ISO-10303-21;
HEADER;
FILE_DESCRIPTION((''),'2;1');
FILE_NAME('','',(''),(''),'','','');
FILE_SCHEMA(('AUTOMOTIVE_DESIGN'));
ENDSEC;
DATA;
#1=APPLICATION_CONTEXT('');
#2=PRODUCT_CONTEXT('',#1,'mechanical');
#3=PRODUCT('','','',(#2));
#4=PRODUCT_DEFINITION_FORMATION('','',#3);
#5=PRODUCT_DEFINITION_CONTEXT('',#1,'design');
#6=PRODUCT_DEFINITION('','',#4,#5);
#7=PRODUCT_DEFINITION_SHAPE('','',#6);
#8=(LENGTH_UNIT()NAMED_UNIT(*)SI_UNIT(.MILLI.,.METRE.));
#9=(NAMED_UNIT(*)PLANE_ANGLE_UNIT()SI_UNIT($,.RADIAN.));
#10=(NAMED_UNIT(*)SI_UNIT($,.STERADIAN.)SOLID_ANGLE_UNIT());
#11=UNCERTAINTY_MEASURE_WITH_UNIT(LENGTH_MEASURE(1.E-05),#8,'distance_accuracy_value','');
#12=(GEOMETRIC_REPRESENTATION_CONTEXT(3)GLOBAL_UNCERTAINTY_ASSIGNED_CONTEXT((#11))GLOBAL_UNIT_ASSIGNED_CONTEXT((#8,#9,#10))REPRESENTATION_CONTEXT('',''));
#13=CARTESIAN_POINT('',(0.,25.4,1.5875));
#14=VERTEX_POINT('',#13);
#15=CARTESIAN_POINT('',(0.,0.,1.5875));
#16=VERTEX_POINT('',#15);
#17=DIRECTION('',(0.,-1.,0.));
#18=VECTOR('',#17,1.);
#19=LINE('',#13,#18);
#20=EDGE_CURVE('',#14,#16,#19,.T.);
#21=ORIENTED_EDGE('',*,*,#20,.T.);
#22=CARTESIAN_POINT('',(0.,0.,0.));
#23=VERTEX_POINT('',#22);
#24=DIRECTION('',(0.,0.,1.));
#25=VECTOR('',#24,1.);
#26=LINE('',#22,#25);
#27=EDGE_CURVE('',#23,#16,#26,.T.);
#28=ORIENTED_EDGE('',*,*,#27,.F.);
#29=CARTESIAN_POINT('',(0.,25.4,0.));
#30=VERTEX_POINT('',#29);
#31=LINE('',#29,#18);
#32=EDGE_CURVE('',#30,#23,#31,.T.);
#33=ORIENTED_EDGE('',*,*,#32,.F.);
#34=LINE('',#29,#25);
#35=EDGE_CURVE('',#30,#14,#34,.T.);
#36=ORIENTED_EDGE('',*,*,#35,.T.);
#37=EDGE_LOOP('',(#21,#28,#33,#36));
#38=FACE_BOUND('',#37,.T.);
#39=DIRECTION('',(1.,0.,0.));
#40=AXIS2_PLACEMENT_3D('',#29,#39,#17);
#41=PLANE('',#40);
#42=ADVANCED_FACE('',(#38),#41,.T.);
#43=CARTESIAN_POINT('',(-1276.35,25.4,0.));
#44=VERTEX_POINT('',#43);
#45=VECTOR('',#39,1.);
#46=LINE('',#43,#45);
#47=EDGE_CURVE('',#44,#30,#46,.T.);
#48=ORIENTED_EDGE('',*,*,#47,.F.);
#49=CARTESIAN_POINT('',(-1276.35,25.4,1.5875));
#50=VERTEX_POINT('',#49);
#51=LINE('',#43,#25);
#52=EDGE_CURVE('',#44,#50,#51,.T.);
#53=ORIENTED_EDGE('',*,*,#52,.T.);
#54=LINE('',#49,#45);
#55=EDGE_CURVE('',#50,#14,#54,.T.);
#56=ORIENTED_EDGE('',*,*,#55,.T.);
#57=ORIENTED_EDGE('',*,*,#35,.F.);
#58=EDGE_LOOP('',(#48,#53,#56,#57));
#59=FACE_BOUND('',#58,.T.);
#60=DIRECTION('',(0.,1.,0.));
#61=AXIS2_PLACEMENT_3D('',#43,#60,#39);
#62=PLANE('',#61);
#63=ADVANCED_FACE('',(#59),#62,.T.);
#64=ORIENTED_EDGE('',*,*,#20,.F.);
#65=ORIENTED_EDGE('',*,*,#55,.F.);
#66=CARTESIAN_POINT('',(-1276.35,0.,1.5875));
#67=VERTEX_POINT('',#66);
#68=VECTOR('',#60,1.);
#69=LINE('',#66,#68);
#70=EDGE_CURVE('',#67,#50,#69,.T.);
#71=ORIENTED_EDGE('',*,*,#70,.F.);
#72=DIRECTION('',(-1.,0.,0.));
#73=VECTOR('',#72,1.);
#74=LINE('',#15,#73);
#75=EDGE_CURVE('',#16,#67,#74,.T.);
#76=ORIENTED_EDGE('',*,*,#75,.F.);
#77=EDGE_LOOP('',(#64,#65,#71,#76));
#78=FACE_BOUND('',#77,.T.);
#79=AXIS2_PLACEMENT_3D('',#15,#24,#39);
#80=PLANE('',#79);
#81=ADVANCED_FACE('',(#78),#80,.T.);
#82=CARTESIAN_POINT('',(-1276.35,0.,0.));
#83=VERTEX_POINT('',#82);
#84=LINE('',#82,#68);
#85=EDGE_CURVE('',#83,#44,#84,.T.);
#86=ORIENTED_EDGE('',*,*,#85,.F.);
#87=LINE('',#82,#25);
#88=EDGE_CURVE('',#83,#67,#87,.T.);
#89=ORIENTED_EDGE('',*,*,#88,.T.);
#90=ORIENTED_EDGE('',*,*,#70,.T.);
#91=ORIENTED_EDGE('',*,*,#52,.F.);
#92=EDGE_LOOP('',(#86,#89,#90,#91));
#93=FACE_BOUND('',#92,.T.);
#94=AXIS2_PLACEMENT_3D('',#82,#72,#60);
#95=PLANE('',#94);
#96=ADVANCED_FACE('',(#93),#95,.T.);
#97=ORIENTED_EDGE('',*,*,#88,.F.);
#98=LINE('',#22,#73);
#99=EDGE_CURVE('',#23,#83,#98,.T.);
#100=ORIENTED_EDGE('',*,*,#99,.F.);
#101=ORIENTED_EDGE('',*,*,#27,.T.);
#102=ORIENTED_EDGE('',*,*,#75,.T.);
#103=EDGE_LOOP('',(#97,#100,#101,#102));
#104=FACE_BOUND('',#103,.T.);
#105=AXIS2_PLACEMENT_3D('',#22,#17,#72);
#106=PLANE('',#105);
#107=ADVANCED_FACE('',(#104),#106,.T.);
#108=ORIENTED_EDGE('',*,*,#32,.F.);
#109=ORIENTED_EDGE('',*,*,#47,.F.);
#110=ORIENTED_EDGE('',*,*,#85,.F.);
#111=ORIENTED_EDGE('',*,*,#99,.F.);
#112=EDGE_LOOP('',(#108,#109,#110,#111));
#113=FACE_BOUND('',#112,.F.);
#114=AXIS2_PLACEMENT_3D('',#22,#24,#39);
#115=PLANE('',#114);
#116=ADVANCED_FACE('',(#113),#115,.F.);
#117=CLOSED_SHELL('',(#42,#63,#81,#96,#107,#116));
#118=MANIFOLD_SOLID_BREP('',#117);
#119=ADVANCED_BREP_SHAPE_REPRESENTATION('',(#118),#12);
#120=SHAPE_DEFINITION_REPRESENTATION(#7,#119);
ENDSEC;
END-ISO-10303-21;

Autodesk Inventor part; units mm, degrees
ref_plane "YZ Plane" through (0, 0, 0) normal (1, 0, 0) x (0, 1, 0)
ref_plane "XZ Plane" through (0, 0, 0) normal (0, 1, 0) x (-1, 0, 0)
ref_plane "XY Plane" through (0, 0, 0) normal (0, 0, 1) x (1, 0, 0)
sketch "Sketch1" plane through (0, 0, 0) normal (0, 0, 1) x (1, 0, 0)
  line L0 (0, 0) -> (-1276.35, 0)
  line L1 (-1276.35, 0) -> (-1276.35, 25.4)
  line L2 (-1276.35, 25.4) -> (0, 25.4)
  line L3 (0, 25.4) -> (0, 0)
  dimension "d0" = 1276.35
  dimension "d1" = 25.4
extrude "Extrusion1" add sketch "Sketch1" along normal blind 1.5875
properties part number "GE-12078-02"
